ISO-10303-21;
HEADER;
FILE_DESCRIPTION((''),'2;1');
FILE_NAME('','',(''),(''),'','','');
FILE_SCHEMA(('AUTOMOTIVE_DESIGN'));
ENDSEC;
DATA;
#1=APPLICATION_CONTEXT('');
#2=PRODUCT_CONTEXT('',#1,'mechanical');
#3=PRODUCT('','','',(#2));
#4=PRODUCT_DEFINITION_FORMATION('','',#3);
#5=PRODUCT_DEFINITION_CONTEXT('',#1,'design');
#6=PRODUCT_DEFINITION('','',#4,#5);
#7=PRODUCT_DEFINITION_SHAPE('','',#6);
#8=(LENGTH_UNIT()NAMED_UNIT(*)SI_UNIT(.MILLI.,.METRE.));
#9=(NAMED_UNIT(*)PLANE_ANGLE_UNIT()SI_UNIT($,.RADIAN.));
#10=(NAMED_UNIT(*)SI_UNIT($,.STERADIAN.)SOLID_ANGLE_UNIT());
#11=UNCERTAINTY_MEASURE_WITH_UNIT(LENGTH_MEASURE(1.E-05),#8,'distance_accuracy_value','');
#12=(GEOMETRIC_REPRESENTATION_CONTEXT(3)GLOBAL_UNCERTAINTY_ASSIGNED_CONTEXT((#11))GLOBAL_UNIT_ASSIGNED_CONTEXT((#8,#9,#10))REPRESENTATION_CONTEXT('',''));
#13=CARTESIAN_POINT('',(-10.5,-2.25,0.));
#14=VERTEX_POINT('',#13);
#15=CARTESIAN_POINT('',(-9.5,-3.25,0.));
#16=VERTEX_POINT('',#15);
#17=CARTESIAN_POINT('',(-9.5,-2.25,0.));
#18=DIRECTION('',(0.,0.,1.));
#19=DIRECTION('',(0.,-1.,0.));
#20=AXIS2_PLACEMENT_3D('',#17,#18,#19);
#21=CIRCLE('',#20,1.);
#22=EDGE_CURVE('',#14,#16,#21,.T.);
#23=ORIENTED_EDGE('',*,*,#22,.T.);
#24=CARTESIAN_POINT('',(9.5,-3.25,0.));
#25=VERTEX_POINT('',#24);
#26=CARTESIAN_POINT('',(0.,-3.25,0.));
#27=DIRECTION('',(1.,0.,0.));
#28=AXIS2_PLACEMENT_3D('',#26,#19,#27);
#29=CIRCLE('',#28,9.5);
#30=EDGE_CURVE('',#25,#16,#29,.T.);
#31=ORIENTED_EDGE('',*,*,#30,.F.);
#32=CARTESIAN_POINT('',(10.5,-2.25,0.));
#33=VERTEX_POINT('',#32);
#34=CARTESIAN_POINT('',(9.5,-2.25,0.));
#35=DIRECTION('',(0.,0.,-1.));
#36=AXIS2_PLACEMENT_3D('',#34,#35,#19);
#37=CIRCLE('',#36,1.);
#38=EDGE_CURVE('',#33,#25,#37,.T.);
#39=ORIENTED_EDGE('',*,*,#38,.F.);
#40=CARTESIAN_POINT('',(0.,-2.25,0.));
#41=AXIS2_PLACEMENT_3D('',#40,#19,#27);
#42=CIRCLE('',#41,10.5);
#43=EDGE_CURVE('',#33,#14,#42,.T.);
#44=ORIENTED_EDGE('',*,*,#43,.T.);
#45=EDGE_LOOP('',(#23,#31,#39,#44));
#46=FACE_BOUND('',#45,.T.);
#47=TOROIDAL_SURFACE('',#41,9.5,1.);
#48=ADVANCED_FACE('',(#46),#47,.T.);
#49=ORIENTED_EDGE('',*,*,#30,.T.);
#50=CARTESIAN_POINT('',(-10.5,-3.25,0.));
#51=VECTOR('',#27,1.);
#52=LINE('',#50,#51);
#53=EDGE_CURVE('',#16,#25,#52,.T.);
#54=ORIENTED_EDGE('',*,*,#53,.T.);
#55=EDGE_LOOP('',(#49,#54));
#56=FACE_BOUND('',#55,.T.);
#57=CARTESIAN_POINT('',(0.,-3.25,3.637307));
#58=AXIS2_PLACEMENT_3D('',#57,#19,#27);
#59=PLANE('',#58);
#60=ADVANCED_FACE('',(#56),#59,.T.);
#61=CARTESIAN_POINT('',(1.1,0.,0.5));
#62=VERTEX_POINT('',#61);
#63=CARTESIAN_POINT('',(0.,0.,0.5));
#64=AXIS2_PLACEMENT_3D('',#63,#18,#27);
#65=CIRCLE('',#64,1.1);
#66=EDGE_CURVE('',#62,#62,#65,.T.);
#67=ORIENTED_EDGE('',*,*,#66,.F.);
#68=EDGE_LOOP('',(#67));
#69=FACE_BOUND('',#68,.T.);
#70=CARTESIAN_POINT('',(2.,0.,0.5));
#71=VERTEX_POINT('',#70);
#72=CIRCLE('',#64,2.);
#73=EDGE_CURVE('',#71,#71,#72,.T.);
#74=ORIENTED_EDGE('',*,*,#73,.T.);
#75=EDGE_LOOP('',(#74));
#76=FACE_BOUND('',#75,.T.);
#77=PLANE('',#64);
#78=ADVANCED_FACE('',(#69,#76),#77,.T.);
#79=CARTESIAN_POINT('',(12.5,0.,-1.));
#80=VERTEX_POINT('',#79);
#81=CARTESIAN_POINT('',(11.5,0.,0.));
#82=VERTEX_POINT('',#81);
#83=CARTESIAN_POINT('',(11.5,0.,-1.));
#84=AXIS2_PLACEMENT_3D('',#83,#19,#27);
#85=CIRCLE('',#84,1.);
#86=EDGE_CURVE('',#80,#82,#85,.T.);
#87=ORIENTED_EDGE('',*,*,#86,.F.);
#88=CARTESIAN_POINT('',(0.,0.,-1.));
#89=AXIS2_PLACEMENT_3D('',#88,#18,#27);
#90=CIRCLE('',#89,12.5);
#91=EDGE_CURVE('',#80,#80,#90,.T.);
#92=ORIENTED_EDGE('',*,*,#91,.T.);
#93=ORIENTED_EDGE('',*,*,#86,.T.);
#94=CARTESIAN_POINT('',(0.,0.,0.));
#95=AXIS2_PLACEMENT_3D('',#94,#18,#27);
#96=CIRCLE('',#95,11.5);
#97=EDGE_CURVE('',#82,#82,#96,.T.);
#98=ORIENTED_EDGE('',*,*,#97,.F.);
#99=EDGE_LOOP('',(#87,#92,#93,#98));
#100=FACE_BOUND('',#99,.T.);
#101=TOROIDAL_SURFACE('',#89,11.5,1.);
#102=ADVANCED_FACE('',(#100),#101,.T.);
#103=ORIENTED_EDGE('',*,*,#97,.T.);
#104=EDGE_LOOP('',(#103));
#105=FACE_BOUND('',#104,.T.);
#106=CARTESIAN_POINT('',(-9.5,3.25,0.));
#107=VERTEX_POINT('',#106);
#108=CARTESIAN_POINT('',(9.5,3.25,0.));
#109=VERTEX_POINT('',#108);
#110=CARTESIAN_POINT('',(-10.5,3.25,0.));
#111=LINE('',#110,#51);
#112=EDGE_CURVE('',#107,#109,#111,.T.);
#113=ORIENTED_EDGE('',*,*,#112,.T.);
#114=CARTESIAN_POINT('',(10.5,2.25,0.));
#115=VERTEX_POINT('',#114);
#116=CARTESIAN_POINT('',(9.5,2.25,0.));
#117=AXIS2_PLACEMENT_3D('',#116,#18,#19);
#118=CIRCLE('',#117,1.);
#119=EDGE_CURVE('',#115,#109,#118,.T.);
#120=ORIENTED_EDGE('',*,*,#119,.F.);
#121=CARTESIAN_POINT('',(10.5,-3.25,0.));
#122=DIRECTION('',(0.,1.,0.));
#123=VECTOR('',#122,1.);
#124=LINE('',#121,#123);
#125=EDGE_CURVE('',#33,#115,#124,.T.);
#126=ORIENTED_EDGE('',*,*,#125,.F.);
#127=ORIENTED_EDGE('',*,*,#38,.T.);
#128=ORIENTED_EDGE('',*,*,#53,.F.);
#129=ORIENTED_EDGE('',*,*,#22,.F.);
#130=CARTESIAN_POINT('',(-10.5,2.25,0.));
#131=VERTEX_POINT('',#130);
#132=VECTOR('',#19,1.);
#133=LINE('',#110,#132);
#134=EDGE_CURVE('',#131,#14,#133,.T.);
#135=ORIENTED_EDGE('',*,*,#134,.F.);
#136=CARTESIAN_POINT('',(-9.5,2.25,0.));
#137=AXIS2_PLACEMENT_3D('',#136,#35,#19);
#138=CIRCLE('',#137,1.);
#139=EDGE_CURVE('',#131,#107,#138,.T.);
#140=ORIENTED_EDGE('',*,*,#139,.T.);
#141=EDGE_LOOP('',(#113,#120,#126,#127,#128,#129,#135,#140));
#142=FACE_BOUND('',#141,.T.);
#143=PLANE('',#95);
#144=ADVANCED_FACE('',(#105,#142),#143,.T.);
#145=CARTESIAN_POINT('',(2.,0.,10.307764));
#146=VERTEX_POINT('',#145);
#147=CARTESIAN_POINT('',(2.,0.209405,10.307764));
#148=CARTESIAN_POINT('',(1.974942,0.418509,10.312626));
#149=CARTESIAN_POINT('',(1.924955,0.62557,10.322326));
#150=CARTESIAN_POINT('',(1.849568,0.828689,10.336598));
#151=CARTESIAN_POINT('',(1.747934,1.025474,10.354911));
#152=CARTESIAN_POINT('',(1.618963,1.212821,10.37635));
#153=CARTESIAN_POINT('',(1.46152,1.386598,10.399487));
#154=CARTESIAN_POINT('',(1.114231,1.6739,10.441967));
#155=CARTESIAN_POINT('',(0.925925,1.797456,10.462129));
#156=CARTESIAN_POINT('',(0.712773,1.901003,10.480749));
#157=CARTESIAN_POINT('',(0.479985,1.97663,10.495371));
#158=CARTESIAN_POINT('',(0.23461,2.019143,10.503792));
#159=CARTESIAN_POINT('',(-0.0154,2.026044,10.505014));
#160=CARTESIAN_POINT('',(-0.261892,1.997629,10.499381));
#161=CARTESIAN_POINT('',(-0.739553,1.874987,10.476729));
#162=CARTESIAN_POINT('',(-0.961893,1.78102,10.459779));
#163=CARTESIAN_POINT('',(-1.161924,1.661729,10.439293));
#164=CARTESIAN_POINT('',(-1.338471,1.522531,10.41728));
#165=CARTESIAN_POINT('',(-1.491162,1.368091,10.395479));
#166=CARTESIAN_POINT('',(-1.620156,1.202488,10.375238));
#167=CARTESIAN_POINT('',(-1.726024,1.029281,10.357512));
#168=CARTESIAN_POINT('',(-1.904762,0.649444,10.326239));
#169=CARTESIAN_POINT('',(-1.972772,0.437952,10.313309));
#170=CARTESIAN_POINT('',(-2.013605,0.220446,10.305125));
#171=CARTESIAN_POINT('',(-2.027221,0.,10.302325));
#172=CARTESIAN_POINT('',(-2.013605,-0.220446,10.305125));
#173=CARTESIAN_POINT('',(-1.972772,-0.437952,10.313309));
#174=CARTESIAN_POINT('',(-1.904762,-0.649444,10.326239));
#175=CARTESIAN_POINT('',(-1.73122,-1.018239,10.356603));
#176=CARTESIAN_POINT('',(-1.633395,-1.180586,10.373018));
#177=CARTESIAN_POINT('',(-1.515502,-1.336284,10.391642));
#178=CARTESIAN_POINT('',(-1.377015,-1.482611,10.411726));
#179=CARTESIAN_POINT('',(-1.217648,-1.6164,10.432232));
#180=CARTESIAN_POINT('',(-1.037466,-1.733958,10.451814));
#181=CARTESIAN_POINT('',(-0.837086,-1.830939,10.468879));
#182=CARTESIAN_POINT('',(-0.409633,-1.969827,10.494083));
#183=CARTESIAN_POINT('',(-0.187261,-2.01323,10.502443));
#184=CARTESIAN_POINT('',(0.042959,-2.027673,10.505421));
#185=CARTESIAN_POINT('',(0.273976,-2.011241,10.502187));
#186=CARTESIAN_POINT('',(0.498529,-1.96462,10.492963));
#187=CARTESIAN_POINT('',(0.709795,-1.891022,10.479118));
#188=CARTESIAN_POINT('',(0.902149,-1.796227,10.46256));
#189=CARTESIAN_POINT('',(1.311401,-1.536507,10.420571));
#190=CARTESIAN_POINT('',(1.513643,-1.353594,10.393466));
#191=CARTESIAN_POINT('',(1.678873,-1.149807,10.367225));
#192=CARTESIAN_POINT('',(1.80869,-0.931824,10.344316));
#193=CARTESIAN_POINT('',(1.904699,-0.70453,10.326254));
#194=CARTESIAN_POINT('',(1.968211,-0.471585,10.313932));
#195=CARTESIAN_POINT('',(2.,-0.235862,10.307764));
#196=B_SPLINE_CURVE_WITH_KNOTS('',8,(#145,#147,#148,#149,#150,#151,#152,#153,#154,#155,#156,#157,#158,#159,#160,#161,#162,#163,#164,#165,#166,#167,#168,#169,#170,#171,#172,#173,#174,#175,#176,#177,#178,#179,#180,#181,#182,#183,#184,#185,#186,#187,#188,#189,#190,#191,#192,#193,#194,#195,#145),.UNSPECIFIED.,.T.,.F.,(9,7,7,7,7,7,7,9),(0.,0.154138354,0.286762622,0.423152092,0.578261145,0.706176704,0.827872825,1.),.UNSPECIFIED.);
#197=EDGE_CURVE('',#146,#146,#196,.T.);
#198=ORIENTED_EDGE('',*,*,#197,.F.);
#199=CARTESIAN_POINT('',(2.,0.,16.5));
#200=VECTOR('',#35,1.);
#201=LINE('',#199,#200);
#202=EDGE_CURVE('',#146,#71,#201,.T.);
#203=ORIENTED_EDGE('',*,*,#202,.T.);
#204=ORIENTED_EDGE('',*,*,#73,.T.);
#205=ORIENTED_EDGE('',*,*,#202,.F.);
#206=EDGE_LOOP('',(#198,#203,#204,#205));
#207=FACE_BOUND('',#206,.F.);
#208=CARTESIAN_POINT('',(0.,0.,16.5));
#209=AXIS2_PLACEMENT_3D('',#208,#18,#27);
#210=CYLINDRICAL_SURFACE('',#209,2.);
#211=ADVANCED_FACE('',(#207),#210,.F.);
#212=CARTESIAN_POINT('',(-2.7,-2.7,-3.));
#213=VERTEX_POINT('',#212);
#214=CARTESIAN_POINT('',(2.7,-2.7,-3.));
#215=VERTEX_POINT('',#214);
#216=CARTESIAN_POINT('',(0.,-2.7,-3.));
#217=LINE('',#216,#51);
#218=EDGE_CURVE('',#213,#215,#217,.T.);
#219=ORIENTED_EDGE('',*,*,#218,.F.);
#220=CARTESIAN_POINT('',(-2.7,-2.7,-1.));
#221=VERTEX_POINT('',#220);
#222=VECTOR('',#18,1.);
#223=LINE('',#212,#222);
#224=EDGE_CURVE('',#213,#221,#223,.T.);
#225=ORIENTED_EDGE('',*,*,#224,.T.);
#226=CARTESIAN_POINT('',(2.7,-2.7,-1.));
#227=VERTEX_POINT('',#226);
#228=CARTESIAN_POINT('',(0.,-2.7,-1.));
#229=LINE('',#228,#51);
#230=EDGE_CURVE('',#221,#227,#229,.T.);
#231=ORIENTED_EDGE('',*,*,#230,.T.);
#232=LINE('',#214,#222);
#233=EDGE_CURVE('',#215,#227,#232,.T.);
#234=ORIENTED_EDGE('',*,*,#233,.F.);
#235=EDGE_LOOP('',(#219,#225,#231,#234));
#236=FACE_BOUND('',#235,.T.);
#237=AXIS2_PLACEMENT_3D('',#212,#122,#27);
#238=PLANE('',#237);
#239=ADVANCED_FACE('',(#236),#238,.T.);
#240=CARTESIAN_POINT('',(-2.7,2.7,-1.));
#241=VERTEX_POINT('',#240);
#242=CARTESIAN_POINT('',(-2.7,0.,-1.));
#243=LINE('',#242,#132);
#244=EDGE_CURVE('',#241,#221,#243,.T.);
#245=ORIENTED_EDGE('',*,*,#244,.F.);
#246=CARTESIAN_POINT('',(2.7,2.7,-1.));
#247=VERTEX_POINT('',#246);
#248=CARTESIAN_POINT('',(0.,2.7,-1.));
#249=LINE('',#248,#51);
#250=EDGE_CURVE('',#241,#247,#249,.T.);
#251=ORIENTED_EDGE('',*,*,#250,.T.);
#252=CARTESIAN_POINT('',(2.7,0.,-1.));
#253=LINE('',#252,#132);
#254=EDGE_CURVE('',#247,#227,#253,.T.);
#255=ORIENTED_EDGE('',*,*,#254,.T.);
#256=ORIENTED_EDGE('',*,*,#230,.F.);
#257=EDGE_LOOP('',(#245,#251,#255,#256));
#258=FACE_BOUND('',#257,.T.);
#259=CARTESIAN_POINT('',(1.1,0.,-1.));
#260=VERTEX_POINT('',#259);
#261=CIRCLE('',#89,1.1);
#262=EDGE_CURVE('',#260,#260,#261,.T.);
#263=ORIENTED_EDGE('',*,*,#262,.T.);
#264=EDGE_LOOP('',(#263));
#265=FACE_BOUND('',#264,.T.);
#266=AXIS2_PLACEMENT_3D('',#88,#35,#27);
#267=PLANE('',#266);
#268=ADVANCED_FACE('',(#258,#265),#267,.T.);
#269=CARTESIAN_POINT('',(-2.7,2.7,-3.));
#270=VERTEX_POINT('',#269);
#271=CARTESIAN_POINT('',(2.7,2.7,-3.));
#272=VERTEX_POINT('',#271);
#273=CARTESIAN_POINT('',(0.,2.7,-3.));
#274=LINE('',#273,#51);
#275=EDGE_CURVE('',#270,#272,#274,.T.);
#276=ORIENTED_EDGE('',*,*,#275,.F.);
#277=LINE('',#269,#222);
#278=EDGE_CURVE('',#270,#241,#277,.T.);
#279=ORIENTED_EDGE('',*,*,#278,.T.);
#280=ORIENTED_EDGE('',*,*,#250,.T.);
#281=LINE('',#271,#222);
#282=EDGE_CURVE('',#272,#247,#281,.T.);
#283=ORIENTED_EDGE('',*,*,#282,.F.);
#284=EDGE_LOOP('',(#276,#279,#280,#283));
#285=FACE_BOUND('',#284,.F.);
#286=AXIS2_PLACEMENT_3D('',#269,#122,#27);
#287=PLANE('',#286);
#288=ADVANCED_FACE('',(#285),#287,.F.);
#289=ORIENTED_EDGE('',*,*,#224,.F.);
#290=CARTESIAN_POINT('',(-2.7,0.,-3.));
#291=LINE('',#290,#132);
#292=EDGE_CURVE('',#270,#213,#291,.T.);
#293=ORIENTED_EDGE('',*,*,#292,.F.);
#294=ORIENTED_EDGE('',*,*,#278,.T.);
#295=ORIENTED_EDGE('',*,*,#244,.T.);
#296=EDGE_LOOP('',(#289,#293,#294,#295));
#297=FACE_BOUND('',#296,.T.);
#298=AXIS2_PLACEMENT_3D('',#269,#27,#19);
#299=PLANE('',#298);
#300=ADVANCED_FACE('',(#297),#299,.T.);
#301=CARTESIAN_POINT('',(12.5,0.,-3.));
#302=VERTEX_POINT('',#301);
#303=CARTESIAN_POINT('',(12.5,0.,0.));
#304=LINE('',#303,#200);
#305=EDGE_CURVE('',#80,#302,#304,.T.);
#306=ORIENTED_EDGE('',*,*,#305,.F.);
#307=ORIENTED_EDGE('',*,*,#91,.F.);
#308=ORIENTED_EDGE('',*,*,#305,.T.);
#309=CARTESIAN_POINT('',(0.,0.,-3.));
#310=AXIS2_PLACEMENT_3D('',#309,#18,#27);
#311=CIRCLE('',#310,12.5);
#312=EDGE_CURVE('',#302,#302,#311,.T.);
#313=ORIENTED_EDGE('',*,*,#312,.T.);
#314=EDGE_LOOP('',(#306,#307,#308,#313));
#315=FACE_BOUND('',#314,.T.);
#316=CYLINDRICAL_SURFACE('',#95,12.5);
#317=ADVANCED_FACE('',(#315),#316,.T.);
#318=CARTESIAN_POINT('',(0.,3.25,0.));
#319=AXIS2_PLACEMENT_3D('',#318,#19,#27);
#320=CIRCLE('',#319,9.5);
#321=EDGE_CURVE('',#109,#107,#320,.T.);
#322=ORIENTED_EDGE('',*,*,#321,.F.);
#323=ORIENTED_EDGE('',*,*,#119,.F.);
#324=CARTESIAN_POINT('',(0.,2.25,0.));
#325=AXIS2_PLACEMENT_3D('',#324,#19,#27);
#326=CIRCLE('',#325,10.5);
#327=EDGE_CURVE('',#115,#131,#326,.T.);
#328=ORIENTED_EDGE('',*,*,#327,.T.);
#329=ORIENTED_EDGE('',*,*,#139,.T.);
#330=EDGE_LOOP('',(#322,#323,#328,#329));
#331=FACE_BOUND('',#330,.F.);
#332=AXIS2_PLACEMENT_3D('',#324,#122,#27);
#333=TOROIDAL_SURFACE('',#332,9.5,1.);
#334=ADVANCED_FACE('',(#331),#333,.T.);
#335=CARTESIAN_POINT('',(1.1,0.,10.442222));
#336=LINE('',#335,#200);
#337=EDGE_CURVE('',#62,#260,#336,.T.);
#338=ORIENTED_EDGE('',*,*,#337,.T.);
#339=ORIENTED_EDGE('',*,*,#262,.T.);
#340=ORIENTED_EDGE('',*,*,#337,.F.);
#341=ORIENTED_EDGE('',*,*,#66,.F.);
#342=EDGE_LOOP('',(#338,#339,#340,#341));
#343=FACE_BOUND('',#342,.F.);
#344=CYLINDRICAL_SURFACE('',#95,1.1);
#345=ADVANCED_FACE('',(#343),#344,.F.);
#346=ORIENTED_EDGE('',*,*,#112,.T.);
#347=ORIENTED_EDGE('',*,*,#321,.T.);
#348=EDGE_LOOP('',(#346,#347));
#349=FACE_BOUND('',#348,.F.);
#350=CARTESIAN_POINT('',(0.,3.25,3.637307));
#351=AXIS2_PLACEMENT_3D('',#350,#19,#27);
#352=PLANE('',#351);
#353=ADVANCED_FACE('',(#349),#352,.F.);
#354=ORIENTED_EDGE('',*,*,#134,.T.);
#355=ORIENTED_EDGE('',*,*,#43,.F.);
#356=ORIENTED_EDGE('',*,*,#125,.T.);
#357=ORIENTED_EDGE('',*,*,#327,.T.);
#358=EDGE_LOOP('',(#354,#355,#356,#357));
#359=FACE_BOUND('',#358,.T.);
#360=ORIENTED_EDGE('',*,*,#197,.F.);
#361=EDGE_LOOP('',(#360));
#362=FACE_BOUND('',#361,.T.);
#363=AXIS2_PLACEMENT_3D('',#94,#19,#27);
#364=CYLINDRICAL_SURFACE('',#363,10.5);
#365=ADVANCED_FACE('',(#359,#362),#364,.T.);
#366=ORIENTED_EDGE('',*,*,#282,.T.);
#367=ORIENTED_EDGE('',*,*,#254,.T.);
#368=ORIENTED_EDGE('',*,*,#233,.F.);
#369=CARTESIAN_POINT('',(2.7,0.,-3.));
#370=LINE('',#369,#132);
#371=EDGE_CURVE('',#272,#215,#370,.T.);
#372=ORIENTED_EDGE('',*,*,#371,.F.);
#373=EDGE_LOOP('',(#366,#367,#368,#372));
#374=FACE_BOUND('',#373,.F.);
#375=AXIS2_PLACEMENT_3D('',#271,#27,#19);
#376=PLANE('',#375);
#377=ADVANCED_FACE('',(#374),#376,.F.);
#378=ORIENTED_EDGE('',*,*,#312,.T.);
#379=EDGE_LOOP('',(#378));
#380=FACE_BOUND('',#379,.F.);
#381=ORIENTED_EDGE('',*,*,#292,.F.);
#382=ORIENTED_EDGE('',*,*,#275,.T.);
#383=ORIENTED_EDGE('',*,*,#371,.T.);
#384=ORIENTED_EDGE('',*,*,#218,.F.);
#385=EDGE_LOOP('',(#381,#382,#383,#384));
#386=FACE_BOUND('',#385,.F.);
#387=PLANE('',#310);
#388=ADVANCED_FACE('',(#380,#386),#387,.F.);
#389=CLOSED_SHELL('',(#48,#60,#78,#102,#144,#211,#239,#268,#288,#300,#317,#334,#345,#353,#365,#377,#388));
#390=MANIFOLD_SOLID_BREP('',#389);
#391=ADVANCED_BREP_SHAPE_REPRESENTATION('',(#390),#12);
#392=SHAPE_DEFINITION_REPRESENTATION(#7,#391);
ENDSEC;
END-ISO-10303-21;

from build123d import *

# Parameters (mm, degrees)
SKETCH_R          = 12.5
PAD_DEPTH         = 3
PAD001_DEPTH      = 3.25
SKETCH003_R       = 1.1
POCKET_DEPTH      = 3.001
POCKET_DEPTH_BACK = 10.501
SKETCH004_R       = 2
POCKET001_DEPTH   = 16
SKETCH005_W       = 5.4
SKETCH005_H       = 5.4
POCKET002_DEPTH   = 2
FILLET_R          = 1


with BuildPart() as part:
    # Sketch → Pad (new body)
    with BuildSketch(Plane.XY):
        Circle(SKETCH_R)
    extrude(amount=-PAD_DEPTH)

    # Sketch002 → Pad001 (join, symmetric)
    with BuildSketch(Plane.XZ):
        with BuildLine():
            ThreePointArc((10.5, 0), (0, 10.5), (-10.5, 0))
            Line((-10.5, 0), (10.5, 0))
        make_face()
    extrude(amount=PAD001_DEPTH, both=True)

    # Sketch003 → Pocket (cut, two sides)
    with BuildSketch(Plane.XY) as pocket_sk:
        Circle(SKETCH003_R)
    extrude(amount=-POCKET_DEPTH, mode=Mode.SUBTRACT)
    extrude(pocket_sk.sketch, amount=POCKET_DEPTH_BACK, mode=Mode.SUBTRACT)

    # Sketch004 → Pocket001 (cut)
    with BuildSketch(Plane.XY.offset(16.5)):
        Circle(SKETCH004_R)
    extrude(amount=-POCKET001_DEPTH, mode=Mode.SUBTRACT)

    # Sketch005 (on Face3 of Pocket001) → Pocket002 (cut)
    with BuildSketch(Plane(origin=(0, 0, -3), x_dir=(1, 0, 0), z_dir=(0, 0, -1))):
        Rectangle(SKETCH005_W, SKETCH005_H)
    extrude(amount=-POCKET002_DEPTH, mode=Mode.SUBTRACT)

    # Fillet
    fillet_edges = [part.edges().sort_by_distance(p)[0] for p in [
        (0, -3.25, 10.5),
        (0, 3.25, 10.5),
        (-12.5, 0, 0),
    ]]
    fillet(fillet_edges, radius=FILLET_R)


solid = part.part
